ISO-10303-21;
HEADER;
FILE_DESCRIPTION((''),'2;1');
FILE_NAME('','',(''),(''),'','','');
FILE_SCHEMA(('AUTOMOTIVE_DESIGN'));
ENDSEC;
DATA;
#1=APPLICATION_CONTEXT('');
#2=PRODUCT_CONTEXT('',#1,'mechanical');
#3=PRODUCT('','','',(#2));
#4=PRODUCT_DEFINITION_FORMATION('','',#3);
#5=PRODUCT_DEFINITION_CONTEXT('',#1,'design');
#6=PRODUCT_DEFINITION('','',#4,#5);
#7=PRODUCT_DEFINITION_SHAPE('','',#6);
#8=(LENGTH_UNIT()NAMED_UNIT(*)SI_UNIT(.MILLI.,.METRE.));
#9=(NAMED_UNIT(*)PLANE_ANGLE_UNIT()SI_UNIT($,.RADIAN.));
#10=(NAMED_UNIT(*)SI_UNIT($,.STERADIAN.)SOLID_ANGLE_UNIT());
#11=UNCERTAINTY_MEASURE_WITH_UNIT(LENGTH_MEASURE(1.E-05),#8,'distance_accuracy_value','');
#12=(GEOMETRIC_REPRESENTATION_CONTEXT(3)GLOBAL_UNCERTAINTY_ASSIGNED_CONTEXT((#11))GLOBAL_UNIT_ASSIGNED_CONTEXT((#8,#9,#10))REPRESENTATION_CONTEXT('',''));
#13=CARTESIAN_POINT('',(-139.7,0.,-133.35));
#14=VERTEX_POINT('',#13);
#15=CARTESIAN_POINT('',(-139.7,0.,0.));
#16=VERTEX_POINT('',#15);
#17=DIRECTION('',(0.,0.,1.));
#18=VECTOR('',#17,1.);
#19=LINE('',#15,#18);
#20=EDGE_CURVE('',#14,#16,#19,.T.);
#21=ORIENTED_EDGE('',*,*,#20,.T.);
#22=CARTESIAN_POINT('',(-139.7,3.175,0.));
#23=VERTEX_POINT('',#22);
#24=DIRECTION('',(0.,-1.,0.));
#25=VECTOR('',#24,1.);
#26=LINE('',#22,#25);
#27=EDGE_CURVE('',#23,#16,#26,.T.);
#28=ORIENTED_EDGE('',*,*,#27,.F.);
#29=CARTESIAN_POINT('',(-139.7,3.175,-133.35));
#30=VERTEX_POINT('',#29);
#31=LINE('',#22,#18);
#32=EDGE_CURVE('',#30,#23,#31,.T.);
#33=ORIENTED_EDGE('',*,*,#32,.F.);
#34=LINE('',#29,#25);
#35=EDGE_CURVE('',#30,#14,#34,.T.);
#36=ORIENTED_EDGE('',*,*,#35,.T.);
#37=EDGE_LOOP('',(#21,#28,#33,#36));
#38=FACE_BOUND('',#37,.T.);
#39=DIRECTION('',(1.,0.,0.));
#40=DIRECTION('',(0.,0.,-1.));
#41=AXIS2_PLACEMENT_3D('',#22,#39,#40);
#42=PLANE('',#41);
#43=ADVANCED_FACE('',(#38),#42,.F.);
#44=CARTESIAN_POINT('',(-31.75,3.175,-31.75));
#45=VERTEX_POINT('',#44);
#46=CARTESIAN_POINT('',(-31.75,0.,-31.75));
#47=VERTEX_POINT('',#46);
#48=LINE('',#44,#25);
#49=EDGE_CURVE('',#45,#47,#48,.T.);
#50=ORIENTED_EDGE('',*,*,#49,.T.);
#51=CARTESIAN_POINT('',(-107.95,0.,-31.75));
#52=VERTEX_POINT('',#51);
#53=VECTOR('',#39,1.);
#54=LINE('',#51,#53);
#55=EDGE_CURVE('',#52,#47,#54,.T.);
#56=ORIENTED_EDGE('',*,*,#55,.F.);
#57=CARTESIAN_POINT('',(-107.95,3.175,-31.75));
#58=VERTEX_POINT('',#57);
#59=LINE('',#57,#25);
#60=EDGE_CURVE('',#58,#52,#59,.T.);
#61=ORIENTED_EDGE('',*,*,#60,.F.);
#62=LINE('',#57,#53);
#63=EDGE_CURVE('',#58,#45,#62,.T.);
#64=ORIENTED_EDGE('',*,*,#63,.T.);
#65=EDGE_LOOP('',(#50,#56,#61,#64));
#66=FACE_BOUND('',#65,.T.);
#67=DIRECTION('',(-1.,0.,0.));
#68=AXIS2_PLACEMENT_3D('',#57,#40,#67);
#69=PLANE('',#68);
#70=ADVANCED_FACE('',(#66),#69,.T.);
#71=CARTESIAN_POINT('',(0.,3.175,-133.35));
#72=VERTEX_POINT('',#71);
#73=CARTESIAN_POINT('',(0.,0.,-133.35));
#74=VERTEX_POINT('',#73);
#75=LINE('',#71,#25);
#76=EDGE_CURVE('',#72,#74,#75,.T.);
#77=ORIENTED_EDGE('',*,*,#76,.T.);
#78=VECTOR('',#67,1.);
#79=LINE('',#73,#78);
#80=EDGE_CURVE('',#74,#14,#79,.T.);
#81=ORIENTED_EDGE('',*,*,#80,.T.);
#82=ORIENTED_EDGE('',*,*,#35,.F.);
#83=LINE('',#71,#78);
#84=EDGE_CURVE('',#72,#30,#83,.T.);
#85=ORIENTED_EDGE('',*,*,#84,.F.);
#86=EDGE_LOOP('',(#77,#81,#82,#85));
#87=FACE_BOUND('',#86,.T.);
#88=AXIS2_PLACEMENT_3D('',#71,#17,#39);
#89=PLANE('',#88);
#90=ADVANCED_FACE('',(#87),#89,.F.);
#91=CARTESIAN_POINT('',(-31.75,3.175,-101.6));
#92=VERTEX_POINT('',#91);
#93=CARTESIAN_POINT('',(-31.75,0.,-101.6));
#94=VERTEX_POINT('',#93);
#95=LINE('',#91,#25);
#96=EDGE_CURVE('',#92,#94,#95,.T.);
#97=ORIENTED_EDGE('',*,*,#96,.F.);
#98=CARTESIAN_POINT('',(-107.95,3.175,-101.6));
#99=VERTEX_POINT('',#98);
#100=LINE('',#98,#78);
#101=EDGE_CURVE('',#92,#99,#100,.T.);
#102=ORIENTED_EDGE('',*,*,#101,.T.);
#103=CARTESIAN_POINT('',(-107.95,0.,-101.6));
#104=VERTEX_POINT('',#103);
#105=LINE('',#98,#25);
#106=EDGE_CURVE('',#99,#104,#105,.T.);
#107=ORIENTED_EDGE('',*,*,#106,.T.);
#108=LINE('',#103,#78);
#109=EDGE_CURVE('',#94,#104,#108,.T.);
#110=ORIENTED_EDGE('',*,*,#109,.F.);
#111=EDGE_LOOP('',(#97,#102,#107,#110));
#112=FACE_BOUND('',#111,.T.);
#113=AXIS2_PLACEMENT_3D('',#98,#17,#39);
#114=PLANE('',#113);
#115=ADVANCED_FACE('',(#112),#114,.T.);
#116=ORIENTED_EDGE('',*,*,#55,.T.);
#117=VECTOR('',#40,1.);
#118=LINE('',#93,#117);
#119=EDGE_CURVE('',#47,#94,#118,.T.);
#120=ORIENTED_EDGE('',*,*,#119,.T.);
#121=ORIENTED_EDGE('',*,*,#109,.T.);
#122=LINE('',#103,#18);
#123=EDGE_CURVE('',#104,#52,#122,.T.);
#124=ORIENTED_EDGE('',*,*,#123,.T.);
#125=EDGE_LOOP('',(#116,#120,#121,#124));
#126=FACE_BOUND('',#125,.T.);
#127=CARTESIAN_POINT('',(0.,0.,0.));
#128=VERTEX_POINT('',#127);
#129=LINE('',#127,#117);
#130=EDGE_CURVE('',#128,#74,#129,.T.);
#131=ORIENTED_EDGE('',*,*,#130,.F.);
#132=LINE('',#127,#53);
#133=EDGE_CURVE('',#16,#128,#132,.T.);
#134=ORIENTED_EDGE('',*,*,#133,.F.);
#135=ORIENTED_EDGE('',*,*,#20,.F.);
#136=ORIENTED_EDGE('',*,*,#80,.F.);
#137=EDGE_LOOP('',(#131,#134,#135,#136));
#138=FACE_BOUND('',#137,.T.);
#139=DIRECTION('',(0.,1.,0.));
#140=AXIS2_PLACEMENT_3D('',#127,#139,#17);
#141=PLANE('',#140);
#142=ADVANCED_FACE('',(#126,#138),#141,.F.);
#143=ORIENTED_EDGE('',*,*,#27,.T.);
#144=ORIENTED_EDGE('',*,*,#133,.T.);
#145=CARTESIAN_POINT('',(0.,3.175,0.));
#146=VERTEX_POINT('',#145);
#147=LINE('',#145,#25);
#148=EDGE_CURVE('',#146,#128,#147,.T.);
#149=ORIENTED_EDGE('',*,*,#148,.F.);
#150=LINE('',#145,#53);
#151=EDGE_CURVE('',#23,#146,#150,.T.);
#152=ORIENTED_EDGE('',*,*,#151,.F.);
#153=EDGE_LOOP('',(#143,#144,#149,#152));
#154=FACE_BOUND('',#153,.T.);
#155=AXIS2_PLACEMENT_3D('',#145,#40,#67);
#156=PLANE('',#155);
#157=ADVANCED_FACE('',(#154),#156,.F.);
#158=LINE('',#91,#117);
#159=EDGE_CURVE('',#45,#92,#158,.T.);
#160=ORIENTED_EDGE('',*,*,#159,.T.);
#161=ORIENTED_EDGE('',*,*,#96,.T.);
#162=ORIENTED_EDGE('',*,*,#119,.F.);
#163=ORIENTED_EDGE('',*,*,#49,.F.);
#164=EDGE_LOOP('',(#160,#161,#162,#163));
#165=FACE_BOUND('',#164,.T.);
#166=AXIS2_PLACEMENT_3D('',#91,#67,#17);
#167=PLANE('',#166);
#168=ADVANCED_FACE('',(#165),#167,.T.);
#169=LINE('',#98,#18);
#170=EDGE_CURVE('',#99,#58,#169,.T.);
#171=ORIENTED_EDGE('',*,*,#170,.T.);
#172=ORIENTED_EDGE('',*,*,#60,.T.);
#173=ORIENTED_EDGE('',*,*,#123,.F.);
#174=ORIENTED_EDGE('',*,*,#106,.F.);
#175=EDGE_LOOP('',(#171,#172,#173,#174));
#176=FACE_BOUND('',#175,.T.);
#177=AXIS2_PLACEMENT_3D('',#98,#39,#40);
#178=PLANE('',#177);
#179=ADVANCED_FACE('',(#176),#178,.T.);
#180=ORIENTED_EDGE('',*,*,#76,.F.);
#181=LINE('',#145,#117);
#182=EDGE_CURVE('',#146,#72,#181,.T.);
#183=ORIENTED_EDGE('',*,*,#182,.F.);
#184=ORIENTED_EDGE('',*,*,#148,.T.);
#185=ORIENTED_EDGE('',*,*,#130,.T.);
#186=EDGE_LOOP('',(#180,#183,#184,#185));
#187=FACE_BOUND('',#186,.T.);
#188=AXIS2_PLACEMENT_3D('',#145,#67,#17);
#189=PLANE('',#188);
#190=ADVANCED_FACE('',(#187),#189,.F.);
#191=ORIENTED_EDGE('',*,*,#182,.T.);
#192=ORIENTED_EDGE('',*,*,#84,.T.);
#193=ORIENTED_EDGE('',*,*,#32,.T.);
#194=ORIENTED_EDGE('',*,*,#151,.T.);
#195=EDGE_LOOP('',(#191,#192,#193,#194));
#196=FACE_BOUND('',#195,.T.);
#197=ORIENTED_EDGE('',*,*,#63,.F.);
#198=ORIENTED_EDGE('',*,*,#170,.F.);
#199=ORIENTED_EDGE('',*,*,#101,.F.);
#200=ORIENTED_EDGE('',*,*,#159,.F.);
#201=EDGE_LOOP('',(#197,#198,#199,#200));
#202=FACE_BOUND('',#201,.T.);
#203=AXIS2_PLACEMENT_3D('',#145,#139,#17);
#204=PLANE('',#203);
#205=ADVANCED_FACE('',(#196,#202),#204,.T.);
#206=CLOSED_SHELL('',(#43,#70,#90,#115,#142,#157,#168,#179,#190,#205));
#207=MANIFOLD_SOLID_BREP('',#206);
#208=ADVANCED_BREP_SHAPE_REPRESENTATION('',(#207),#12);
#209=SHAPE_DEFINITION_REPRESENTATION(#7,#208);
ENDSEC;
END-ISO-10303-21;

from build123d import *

# Parameters (mm, degrees)
SKETCH1_W           = 139.7
SKETCH1_H           = 133.35
SKETCH1_W_2         = 76.2
SKETCH1_H_2         = 69.85
BOSS_EXTRUDE1_DEPTH = 3.175


with BuildPart() as part:
    # Sketch1 → Boss-Extrude1 (new body)
    with BuildSketch(Plane(origin=(0, 0, 0), x_dir=(1, 0, 0), z_dir=(0, 1, 0))):
        with Locations((-69.85, 66.675)):
            Rectangle(SKETCH1_W, SKETCH1_H)
        with Locations((-69.85, 66.675)):
            Rectangle(SKETCH1_W_2, SKETCH1_H_2, mode=Mode.SUBTRACT)
    extrude(amount=BOSS_EXTRUDE1_DEPTH)


solid = part.part
